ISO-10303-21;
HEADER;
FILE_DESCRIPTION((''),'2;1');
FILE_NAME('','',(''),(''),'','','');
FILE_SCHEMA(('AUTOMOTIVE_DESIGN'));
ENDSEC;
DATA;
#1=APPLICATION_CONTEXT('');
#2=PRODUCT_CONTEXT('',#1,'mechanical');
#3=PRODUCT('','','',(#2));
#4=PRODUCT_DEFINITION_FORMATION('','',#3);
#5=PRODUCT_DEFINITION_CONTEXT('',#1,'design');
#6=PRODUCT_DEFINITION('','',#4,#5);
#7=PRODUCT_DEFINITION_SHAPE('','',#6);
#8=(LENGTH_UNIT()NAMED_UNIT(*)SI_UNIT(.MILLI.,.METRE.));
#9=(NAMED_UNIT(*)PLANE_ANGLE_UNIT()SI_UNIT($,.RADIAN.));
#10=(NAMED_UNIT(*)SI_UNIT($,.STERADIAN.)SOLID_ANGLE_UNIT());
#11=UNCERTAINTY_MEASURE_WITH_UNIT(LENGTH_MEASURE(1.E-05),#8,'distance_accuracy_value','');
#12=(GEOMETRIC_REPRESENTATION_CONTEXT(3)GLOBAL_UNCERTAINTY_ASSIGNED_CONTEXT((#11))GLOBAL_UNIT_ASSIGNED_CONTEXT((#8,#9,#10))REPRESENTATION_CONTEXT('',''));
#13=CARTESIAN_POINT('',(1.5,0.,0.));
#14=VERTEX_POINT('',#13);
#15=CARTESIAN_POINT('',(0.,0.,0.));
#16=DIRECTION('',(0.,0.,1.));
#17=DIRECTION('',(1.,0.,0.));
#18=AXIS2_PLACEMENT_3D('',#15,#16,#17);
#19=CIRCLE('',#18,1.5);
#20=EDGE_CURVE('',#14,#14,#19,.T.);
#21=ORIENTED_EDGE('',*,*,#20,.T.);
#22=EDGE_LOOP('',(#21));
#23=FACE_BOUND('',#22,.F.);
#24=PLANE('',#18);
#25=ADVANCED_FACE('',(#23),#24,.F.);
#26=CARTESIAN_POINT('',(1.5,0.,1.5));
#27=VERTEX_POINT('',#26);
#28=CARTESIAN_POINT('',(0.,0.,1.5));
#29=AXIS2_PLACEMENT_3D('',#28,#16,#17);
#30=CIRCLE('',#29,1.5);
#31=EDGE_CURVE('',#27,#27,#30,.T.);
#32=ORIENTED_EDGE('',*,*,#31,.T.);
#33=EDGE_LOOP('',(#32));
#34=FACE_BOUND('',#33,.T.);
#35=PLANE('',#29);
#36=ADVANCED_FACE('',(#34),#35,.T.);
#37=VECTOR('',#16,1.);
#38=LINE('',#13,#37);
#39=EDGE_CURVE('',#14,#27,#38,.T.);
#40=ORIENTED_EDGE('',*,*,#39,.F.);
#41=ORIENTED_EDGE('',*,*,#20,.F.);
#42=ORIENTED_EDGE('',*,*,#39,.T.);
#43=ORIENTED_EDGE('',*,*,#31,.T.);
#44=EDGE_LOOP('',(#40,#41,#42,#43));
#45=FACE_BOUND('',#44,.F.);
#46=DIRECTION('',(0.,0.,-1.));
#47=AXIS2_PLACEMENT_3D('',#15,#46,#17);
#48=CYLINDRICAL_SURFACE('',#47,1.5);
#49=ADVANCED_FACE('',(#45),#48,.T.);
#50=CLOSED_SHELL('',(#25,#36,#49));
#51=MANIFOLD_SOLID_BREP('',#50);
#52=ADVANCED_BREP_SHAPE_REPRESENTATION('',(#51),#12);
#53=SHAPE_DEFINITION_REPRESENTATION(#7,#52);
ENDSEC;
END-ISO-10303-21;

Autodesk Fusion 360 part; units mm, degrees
sketch "Sketch1" plane through (0, 0, 0) normal (0, 0, 1) x (1, 0, 0)
  circle A0 centre (0, 0) radius 1.5
  dimension "d1" = 3
extrude "Extrude1" add sketch "Sketch1" along normal blind 1.5
